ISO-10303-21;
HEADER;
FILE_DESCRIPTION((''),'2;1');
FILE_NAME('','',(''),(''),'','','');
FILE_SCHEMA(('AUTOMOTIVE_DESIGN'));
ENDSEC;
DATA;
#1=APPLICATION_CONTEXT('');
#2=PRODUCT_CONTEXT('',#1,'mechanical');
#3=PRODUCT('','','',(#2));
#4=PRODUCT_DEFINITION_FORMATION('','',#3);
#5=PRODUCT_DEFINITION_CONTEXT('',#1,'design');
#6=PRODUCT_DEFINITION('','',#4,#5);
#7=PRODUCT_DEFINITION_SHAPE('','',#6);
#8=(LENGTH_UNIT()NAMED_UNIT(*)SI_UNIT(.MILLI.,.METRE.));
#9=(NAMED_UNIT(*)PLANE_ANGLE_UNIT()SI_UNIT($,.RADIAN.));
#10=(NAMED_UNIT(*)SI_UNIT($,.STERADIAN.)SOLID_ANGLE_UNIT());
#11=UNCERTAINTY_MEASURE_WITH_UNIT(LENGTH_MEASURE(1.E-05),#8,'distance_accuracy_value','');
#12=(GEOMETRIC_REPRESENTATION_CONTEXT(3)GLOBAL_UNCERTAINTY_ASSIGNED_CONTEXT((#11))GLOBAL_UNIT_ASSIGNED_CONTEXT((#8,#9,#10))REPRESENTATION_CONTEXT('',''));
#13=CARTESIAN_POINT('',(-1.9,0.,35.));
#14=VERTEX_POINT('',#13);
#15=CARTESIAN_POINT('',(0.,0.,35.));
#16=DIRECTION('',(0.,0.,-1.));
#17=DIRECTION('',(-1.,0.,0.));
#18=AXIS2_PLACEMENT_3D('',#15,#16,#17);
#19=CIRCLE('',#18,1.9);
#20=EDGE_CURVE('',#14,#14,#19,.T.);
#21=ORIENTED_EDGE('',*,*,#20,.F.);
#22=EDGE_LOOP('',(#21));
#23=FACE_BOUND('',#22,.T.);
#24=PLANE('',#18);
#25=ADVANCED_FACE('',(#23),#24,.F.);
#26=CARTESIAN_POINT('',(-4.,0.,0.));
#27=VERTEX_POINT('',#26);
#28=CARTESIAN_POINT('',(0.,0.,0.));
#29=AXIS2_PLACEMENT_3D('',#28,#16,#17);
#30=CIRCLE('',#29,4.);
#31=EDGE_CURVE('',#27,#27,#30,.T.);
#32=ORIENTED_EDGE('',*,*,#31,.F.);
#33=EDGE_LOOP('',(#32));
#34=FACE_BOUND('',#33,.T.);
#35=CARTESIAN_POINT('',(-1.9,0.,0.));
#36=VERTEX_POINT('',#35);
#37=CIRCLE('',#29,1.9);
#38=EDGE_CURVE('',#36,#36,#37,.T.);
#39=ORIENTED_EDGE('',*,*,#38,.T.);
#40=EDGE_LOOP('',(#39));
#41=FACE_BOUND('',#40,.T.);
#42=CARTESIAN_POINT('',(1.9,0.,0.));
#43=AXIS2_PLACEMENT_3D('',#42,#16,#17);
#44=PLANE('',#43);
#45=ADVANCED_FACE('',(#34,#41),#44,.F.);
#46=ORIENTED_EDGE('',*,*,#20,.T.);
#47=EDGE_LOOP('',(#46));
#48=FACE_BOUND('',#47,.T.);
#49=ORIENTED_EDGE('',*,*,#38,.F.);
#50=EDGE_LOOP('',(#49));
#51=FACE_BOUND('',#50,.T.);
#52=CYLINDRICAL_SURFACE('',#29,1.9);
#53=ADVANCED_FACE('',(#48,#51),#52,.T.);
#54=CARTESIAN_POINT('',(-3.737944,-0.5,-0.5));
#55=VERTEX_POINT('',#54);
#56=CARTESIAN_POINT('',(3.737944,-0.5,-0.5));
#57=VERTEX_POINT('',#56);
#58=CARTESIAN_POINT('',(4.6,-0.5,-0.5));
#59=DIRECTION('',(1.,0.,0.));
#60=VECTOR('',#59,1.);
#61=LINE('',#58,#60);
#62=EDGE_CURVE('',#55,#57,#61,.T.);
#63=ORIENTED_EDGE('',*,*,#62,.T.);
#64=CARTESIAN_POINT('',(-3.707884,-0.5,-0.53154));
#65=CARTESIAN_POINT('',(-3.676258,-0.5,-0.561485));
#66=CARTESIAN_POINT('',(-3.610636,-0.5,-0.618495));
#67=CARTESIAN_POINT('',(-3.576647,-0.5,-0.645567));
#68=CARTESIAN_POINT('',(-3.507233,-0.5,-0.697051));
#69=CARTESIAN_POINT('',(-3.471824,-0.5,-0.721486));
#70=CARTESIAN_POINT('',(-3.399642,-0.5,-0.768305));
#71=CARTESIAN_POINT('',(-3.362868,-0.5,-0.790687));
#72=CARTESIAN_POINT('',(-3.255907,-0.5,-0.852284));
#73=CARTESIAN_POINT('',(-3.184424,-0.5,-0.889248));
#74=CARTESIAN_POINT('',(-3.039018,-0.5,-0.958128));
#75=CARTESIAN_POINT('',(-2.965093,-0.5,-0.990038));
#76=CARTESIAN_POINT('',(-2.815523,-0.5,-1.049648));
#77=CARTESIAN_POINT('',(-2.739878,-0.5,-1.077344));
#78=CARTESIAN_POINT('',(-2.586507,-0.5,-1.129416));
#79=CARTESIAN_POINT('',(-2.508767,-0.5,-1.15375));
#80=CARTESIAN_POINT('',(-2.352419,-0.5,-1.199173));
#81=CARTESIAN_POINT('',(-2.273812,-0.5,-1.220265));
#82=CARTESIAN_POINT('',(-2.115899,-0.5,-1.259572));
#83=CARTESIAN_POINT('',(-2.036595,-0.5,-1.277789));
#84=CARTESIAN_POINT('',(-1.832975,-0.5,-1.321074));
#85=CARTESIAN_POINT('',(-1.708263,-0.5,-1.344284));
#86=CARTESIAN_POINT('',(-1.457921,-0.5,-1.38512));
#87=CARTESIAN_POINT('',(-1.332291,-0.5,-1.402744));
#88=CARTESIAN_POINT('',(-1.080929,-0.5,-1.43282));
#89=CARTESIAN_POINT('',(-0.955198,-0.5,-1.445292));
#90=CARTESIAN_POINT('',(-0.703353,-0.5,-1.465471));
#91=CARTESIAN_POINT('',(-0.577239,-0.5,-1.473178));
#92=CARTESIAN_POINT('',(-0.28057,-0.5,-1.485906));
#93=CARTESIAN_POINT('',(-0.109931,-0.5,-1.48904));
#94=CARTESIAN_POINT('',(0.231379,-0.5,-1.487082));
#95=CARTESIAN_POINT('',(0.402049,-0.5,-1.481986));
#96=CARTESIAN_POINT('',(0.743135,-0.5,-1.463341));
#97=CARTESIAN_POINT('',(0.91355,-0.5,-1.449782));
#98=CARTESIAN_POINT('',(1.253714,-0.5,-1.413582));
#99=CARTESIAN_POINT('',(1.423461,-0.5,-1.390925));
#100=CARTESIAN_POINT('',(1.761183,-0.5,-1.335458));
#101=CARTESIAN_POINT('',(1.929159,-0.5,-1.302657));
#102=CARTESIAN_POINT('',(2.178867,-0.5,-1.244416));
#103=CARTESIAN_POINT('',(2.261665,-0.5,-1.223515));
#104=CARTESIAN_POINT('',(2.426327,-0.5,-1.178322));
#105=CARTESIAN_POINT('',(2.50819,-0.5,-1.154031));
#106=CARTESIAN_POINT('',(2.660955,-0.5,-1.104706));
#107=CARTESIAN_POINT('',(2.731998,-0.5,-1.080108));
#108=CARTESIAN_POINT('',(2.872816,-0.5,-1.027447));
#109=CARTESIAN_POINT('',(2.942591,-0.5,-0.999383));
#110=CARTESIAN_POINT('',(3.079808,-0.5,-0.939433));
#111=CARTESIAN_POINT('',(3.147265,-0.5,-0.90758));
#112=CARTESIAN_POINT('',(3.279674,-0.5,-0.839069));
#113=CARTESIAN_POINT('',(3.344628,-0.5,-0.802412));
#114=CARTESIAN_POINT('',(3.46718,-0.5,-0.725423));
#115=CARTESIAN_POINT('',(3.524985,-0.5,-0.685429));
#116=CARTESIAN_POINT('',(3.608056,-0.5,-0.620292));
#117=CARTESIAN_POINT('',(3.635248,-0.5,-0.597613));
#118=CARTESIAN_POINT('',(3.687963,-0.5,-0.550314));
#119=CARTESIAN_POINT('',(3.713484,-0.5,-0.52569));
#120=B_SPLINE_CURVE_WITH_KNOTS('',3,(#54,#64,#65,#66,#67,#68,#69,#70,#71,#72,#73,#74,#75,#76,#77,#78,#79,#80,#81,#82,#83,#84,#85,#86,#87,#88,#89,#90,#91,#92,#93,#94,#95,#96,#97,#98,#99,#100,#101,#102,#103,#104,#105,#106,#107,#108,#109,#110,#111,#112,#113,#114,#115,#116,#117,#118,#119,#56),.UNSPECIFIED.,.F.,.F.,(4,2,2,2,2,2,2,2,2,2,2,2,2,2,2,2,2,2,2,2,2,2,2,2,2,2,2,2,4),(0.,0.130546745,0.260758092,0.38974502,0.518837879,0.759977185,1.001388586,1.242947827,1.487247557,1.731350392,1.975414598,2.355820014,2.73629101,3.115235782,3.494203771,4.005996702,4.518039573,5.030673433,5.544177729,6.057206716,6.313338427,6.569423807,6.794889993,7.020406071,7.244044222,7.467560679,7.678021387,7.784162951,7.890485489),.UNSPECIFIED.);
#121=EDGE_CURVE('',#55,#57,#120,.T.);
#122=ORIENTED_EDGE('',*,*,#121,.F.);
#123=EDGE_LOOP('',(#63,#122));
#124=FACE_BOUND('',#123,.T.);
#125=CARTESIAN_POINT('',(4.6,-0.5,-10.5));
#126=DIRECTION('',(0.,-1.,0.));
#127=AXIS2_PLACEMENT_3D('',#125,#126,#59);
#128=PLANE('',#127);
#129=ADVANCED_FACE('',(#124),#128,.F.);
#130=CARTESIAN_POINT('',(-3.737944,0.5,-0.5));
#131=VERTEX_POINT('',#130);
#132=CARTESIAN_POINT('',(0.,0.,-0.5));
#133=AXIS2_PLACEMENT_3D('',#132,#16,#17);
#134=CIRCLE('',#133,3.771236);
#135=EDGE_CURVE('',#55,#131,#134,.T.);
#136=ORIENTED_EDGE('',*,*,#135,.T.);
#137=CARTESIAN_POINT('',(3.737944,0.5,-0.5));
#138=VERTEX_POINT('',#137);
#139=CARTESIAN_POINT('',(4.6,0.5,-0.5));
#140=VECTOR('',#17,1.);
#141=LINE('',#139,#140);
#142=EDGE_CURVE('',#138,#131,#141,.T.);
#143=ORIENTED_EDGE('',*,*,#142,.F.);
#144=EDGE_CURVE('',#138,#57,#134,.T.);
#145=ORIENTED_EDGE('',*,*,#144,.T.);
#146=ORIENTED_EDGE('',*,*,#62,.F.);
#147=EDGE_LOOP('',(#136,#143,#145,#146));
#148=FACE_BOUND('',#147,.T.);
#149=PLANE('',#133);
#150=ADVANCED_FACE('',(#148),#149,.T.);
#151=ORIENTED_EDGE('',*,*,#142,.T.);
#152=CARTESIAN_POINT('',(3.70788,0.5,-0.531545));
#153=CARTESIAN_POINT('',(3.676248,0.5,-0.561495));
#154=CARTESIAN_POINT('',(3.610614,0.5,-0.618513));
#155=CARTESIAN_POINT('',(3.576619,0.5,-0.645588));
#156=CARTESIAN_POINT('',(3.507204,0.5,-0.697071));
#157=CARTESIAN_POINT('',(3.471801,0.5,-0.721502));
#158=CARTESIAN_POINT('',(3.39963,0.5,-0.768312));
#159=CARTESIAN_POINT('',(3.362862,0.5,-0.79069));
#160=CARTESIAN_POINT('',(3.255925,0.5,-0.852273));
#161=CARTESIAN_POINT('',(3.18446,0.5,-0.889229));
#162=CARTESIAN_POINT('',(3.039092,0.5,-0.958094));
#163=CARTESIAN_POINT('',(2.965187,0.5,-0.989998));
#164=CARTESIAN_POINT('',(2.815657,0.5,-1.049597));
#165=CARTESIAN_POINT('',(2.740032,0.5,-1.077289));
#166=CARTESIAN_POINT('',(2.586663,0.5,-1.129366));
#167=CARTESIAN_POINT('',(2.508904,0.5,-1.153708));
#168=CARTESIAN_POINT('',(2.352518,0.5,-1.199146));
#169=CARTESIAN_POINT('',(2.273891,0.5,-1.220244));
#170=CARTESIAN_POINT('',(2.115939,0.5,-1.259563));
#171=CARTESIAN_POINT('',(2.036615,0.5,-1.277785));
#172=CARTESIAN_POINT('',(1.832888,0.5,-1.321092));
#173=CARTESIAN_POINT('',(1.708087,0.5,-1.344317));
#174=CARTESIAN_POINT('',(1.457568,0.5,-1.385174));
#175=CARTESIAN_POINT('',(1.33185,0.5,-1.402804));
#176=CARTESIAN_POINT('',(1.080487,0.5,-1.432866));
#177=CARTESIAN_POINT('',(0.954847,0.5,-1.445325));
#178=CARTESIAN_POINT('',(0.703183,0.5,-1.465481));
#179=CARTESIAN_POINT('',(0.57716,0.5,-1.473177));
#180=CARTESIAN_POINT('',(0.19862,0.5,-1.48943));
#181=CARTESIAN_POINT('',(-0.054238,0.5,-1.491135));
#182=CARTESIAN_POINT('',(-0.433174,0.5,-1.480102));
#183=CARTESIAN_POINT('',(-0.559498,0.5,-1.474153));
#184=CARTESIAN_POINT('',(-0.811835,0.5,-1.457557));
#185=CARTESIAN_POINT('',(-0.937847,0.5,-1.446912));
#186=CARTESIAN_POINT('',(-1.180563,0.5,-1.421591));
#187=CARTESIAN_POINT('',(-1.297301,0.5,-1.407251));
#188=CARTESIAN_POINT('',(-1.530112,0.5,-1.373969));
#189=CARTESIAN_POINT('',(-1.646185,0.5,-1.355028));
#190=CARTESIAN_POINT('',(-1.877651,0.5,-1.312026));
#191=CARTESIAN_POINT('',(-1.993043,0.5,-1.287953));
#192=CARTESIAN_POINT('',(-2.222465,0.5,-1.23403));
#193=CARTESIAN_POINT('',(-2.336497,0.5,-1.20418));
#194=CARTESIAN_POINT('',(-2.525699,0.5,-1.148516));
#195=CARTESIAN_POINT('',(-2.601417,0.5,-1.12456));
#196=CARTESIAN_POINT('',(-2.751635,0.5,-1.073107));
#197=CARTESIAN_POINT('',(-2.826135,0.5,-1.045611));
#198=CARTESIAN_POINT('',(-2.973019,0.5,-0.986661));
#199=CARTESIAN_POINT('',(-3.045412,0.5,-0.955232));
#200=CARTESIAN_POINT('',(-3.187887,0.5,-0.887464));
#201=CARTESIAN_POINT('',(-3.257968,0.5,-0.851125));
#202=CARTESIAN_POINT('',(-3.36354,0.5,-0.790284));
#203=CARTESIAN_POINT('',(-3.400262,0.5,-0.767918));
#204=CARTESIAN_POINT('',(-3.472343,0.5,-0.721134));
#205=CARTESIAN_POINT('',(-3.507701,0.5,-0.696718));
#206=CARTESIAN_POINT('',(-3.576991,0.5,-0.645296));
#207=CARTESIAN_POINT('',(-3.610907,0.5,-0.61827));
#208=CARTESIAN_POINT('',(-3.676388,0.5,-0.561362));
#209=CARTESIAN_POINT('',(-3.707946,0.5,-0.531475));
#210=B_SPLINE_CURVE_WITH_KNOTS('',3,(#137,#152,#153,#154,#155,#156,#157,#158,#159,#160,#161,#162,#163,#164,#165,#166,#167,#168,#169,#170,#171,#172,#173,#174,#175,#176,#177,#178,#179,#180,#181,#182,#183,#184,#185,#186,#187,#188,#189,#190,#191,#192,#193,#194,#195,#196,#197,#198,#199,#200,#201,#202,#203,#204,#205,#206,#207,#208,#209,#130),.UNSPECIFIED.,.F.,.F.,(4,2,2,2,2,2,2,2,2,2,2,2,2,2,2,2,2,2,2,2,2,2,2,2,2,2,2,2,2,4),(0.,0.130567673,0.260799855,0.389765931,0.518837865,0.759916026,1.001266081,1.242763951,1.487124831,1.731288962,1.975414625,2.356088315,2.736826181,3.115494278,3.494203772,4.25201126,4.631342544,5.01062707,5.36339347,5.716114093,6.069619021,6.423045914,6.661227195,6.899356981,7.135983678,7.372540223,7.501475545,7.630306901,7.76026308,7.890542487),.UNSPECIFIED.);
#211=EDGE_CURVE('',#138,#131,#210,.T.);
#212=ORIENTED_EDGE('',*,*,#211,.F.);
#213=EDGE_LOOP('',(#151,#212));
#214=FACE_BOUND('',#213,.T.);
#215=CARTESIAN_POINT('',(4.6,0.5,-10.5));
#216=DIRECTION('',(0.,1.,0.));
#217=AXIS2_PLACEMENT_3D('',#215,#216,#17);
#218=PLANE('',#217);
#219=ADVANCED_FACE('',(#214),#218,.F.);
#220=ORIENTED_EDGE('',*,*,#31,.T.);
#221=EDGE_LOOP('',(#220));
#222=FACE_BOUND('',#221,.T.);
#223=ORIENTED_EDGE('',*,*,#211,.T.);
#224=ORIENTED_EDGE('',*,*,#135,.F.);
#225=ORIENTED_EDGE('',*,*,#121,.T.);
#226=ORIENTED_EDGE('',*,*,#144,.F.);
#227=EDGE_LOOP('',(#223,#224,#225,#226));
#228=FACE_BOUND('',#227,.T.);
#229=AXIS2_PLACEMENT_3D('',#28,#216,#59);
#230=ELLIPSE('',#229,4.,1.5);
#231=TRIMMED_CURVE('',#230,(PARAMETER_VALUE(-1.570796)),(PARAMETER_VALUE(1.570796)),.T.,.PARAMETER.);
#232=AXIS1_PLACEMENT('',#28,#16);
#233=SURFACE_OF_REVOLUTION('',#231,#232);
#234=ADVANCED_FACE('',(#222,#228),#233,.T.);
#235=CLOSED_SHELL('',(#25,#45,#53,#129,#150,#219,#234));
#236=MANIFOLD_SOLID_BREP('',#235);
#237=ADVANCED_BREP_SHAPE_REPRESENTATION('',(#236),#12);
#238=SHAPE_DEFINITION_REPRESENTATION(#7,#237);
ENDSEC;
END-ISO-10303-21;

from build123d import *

# Parameters (mm, degrees)
CORTE_EXTRUS_O1_START = -0.5
ESBO_O2_W             = 9.2
ESBO_O2_H             = 1
CORTE_EXTRUS_O1_DEPTH = 10


with BuildPart() as part:
    # Esboço1 → Revolução1 (revolve)
    with BuildSketch(Plane(origin=(0, 0, 0), x_dir=(1, 0, 0), z_dir=(0, 1, 0))):
        with BuildLine():
            Line((1.9, 0), (4, 0))
            add(Edge.make_bspline(
                [(4, 0), (4, 1.5), (0, 1.5)],
                knots=[0, 0, 0, 1.570796327, 1.570796327, 1.570796327], degree=2, weights=[1, 0.707106781, 1]))
            Line((0, 1.5), (0, 0))
            Line((0, 0), (0, -35))
            Line((0, -35), (1.9, -35))
            Line((1.9, -35), (1.9, 0))
        make_face()
    revolve(axis=Axis((0, 0, 0), (0, 0, 1)))

    # Esboço2 → Corte-extrusão1 (cut)
    with BuildSketch(Plane.XY.offset(CORTE_EXTRUS_O1_START)):
        Rectangle(ESBO_O2_W, ESBO_O2_H)
    extrude(amount=-CORTE_EXTRUS_O1_DEPTH, mode=Mode.SUBTRACT)


solid = part.part
